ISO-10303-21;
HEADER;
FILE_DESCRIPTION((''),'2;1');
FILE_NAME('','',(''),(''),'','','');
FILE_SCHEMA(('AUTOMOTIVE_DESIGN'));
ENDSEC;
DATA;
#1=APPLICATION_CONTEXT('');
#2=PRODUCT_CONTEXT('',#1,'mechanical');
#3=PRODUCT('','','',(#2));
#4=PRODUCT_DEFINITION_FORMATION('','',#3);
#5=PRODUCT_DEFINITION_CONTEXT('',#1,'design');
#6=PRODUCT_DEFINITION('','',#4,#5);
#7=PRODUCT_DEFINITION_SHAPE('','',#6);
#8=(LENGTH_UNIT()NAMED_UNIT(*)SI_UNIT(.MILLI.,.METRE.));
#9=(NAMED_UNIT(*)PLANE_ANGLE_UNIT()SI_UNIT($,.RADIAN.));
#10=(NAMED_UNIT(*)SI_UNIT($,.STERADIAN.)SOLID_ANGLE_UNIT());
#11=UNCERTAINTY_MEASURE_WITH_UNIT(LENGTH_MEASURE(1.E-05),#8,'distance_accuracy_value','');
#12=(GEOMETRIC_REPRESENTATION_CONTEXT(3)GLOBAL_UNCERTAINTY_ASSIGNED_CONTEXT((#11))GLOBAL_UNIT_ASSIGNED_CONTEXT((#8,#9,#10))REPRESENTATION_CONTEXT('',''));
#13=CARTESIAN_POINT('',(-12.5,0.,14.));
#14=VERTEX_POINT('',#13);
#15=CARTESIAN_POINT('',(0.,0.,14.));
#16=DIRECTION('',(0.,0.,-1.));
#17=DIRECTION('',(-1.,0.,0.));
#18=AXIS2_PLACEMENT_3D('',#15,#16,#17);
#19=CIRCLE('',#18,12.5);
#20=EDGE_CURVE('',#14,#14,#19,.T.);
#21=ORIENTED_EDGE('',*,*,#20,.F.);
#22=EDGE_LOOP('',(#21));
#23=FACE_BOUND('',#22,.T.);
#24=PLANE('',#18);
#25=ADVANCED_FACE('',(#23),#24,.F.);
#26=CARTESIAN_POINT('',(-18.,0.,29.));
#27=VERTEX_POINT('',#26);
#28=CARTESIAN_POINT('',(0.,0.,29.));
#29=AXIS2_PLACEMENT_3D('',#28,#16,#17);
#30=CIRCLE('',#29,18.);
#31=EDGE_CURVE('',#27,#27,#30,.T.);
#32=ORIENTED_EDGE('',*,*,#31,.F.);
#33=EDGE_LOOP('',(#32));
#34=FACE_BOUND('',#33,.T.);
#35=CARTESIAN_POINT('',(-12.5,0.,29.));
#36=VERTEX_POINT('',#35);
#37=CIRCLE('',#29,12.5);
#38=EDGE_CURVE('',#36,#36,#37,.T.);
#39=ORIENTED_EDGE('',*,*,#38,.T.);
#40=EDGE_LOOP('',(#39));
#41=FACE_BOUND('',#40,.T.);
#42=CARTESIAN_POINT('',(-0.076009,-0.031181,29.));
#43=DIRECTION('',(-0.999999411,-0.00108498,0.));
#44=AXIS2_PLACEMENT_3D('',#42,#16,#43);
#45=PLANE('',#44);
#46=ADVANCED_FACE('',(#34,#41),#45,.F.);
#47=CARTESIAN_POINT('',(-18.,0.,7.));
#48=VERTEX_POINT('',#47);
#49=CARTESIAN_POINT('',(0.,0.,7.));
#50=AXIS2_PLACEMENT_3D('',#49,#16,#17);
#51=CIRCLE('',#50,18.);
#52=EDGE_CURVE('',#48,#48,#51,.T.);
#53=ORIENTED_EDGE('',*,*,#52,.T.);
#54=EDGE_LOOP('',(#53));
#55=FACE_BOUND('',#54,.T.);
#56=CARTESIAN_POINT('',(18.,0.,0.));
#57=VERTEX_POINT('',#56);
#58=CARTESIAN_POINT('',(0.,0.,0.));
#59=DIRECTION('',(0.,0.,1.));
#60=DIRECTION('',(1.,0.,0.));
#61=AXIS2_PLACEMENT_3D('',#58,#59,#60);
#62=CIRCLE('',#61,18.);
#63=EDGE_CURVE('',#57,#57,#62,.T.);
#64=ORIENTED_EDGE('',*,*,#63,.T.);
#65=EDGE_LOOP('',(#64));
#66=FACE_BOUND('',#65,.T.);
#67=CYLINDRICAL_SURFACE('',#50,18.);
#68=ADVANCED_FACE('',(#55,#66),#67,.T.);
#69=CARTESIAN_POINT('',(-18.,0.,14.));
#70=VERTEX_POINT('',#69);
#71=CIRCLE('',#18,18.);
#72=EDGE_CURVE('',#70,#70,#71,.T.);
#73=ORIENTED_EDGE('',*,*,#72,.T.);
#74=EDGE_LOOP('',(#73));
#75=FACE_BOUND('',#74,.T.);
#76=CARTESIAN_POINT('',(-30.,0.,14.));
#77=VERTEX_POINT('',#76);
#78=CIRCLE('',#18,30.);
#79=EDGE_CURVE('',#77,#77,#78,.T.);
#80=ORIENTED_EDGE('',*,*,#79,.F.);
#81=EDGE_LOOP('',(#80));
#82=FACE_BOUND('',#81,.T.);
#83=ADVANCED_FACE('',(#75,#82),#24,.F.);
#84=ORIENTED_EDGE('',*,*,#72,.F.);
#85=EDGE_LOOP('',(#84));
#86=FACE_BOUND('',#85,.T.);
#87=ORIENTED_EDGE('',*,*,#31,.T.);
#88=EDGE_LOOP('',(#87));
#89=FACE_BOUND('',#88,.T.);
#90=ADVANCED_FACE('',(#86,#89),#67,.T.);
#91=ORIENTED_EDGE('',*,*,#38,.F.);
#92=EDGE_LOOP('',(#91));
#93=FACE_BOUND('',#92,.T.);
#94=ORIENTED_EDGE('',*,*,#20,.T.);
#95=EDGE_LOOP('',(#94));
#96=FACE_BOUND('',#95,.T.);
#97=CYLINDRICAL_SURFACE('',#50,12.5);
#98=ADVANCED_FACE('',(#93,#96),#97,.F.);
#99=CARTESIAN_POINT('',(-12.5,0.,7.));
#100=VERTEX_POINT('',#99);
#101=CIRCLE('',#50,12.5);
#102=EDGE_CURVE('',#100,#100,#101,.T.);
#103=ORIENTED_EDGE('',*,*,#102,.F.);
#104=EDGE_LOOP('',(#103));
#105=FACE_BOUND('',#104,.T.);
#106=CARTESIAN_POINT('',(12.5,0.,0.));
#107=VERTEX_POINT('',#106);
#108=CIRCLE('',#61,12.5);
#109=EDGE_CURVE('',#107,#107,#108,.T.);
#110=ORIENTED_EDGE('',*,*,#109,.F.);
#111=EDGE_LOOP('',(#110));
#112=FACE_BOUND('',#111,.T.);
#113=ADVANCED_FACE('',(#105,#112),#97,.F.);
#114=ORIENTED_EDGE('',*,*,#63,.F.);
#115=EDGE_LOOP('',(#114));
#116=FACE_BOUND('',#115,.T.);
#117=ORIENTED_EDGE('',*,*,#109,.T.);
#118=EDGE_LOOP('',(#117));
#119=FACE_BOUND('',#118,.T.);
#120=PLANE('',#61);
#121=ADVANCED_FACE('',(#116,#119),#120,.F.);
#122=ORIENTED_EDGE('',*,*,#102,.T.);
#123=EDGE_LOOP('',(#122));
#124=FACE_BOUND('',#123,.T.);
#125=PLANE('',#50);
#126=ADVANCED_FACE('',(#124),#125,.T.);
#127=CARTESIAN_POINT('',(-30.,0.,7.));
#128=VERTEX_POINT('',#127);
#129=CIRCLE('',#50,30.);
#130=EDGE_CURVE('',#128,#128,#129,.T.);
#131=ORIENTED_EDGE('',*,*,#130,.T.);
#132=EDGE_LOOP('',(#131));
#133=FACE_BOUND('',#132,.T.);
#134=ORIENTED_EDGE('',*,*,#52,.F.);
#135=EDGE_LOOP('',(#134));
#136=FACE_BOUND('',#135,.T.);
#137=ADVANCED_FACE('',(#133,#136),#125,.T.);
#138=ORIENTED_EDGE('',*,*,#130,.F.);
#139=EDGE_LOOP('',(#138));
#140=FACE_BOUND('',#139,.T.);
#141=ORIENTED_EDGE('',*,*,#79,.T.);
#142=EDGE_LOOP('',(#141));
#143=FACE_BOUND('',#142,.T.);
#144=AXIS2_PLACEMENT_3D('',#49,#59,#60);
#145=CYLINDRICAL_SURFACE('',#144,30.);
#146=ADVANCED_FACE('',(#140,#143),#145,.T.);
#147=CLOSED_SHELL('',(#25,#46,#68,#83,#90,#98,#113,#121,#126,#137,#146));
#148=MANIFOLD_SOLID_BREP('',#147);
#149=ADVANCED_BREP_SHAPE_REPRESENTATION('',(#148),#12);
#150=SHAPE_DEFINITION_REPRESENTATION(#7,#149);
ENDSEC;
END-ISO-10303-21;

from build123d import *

# Parameters (mm, degrees)
SKETCH_1_R      = 18
SKETCH_1_R_2    = 12.5
EXTRUDE_1_DEPTH = 7
SKETCH_3_R      = 18
SKETCH_3_R_2    = 12.5
EXTRUDE_2_DEPTH = 22
EXTRUDE_START   = -14
SKETCH_4_R      = 30
EXTRUDE_3_DEPTH = 7


with BuildPart() as part:
    # Эскиз1 → Вытянуть1 (new body)
    with BuildSketch(Plane.XY):
        Circle(SKETCH_1_R)
        Circle(SKETCH_1_R_2, mode=Mode.SUBTRACT)
    extrude(amount=EXTRUDE_1_DEPTH)

    # Эскиз3 → Вытянуть2 (add)
    with BuildSketch(Plane.XY.offset(7)):
        with Locations(Location((0, 0, 0), (0, 0, 180))):
            Circle(SKETCH_3_R)
        with Locations(Location((0, 0, 0), (0, 0, 180))):
            Circle(SKETCH_3_R_2, mode=Mode.SUBTRACT)
    extrude(amount=EXTRUDE_2_DEPTH)

    # Эскиз4 → Вытянуть3 (add)
    with BuildSketch(Plane(origin=(0, 0, 0), x_dir=(-1, 0, 0), z_dir=(0, 0, -1)).offset(EXTRUDE_START)):
        Circle(SKETCH_4_R)
    extrude(amount=EXTRUDE_3_DEPTH)


solid = part.part
